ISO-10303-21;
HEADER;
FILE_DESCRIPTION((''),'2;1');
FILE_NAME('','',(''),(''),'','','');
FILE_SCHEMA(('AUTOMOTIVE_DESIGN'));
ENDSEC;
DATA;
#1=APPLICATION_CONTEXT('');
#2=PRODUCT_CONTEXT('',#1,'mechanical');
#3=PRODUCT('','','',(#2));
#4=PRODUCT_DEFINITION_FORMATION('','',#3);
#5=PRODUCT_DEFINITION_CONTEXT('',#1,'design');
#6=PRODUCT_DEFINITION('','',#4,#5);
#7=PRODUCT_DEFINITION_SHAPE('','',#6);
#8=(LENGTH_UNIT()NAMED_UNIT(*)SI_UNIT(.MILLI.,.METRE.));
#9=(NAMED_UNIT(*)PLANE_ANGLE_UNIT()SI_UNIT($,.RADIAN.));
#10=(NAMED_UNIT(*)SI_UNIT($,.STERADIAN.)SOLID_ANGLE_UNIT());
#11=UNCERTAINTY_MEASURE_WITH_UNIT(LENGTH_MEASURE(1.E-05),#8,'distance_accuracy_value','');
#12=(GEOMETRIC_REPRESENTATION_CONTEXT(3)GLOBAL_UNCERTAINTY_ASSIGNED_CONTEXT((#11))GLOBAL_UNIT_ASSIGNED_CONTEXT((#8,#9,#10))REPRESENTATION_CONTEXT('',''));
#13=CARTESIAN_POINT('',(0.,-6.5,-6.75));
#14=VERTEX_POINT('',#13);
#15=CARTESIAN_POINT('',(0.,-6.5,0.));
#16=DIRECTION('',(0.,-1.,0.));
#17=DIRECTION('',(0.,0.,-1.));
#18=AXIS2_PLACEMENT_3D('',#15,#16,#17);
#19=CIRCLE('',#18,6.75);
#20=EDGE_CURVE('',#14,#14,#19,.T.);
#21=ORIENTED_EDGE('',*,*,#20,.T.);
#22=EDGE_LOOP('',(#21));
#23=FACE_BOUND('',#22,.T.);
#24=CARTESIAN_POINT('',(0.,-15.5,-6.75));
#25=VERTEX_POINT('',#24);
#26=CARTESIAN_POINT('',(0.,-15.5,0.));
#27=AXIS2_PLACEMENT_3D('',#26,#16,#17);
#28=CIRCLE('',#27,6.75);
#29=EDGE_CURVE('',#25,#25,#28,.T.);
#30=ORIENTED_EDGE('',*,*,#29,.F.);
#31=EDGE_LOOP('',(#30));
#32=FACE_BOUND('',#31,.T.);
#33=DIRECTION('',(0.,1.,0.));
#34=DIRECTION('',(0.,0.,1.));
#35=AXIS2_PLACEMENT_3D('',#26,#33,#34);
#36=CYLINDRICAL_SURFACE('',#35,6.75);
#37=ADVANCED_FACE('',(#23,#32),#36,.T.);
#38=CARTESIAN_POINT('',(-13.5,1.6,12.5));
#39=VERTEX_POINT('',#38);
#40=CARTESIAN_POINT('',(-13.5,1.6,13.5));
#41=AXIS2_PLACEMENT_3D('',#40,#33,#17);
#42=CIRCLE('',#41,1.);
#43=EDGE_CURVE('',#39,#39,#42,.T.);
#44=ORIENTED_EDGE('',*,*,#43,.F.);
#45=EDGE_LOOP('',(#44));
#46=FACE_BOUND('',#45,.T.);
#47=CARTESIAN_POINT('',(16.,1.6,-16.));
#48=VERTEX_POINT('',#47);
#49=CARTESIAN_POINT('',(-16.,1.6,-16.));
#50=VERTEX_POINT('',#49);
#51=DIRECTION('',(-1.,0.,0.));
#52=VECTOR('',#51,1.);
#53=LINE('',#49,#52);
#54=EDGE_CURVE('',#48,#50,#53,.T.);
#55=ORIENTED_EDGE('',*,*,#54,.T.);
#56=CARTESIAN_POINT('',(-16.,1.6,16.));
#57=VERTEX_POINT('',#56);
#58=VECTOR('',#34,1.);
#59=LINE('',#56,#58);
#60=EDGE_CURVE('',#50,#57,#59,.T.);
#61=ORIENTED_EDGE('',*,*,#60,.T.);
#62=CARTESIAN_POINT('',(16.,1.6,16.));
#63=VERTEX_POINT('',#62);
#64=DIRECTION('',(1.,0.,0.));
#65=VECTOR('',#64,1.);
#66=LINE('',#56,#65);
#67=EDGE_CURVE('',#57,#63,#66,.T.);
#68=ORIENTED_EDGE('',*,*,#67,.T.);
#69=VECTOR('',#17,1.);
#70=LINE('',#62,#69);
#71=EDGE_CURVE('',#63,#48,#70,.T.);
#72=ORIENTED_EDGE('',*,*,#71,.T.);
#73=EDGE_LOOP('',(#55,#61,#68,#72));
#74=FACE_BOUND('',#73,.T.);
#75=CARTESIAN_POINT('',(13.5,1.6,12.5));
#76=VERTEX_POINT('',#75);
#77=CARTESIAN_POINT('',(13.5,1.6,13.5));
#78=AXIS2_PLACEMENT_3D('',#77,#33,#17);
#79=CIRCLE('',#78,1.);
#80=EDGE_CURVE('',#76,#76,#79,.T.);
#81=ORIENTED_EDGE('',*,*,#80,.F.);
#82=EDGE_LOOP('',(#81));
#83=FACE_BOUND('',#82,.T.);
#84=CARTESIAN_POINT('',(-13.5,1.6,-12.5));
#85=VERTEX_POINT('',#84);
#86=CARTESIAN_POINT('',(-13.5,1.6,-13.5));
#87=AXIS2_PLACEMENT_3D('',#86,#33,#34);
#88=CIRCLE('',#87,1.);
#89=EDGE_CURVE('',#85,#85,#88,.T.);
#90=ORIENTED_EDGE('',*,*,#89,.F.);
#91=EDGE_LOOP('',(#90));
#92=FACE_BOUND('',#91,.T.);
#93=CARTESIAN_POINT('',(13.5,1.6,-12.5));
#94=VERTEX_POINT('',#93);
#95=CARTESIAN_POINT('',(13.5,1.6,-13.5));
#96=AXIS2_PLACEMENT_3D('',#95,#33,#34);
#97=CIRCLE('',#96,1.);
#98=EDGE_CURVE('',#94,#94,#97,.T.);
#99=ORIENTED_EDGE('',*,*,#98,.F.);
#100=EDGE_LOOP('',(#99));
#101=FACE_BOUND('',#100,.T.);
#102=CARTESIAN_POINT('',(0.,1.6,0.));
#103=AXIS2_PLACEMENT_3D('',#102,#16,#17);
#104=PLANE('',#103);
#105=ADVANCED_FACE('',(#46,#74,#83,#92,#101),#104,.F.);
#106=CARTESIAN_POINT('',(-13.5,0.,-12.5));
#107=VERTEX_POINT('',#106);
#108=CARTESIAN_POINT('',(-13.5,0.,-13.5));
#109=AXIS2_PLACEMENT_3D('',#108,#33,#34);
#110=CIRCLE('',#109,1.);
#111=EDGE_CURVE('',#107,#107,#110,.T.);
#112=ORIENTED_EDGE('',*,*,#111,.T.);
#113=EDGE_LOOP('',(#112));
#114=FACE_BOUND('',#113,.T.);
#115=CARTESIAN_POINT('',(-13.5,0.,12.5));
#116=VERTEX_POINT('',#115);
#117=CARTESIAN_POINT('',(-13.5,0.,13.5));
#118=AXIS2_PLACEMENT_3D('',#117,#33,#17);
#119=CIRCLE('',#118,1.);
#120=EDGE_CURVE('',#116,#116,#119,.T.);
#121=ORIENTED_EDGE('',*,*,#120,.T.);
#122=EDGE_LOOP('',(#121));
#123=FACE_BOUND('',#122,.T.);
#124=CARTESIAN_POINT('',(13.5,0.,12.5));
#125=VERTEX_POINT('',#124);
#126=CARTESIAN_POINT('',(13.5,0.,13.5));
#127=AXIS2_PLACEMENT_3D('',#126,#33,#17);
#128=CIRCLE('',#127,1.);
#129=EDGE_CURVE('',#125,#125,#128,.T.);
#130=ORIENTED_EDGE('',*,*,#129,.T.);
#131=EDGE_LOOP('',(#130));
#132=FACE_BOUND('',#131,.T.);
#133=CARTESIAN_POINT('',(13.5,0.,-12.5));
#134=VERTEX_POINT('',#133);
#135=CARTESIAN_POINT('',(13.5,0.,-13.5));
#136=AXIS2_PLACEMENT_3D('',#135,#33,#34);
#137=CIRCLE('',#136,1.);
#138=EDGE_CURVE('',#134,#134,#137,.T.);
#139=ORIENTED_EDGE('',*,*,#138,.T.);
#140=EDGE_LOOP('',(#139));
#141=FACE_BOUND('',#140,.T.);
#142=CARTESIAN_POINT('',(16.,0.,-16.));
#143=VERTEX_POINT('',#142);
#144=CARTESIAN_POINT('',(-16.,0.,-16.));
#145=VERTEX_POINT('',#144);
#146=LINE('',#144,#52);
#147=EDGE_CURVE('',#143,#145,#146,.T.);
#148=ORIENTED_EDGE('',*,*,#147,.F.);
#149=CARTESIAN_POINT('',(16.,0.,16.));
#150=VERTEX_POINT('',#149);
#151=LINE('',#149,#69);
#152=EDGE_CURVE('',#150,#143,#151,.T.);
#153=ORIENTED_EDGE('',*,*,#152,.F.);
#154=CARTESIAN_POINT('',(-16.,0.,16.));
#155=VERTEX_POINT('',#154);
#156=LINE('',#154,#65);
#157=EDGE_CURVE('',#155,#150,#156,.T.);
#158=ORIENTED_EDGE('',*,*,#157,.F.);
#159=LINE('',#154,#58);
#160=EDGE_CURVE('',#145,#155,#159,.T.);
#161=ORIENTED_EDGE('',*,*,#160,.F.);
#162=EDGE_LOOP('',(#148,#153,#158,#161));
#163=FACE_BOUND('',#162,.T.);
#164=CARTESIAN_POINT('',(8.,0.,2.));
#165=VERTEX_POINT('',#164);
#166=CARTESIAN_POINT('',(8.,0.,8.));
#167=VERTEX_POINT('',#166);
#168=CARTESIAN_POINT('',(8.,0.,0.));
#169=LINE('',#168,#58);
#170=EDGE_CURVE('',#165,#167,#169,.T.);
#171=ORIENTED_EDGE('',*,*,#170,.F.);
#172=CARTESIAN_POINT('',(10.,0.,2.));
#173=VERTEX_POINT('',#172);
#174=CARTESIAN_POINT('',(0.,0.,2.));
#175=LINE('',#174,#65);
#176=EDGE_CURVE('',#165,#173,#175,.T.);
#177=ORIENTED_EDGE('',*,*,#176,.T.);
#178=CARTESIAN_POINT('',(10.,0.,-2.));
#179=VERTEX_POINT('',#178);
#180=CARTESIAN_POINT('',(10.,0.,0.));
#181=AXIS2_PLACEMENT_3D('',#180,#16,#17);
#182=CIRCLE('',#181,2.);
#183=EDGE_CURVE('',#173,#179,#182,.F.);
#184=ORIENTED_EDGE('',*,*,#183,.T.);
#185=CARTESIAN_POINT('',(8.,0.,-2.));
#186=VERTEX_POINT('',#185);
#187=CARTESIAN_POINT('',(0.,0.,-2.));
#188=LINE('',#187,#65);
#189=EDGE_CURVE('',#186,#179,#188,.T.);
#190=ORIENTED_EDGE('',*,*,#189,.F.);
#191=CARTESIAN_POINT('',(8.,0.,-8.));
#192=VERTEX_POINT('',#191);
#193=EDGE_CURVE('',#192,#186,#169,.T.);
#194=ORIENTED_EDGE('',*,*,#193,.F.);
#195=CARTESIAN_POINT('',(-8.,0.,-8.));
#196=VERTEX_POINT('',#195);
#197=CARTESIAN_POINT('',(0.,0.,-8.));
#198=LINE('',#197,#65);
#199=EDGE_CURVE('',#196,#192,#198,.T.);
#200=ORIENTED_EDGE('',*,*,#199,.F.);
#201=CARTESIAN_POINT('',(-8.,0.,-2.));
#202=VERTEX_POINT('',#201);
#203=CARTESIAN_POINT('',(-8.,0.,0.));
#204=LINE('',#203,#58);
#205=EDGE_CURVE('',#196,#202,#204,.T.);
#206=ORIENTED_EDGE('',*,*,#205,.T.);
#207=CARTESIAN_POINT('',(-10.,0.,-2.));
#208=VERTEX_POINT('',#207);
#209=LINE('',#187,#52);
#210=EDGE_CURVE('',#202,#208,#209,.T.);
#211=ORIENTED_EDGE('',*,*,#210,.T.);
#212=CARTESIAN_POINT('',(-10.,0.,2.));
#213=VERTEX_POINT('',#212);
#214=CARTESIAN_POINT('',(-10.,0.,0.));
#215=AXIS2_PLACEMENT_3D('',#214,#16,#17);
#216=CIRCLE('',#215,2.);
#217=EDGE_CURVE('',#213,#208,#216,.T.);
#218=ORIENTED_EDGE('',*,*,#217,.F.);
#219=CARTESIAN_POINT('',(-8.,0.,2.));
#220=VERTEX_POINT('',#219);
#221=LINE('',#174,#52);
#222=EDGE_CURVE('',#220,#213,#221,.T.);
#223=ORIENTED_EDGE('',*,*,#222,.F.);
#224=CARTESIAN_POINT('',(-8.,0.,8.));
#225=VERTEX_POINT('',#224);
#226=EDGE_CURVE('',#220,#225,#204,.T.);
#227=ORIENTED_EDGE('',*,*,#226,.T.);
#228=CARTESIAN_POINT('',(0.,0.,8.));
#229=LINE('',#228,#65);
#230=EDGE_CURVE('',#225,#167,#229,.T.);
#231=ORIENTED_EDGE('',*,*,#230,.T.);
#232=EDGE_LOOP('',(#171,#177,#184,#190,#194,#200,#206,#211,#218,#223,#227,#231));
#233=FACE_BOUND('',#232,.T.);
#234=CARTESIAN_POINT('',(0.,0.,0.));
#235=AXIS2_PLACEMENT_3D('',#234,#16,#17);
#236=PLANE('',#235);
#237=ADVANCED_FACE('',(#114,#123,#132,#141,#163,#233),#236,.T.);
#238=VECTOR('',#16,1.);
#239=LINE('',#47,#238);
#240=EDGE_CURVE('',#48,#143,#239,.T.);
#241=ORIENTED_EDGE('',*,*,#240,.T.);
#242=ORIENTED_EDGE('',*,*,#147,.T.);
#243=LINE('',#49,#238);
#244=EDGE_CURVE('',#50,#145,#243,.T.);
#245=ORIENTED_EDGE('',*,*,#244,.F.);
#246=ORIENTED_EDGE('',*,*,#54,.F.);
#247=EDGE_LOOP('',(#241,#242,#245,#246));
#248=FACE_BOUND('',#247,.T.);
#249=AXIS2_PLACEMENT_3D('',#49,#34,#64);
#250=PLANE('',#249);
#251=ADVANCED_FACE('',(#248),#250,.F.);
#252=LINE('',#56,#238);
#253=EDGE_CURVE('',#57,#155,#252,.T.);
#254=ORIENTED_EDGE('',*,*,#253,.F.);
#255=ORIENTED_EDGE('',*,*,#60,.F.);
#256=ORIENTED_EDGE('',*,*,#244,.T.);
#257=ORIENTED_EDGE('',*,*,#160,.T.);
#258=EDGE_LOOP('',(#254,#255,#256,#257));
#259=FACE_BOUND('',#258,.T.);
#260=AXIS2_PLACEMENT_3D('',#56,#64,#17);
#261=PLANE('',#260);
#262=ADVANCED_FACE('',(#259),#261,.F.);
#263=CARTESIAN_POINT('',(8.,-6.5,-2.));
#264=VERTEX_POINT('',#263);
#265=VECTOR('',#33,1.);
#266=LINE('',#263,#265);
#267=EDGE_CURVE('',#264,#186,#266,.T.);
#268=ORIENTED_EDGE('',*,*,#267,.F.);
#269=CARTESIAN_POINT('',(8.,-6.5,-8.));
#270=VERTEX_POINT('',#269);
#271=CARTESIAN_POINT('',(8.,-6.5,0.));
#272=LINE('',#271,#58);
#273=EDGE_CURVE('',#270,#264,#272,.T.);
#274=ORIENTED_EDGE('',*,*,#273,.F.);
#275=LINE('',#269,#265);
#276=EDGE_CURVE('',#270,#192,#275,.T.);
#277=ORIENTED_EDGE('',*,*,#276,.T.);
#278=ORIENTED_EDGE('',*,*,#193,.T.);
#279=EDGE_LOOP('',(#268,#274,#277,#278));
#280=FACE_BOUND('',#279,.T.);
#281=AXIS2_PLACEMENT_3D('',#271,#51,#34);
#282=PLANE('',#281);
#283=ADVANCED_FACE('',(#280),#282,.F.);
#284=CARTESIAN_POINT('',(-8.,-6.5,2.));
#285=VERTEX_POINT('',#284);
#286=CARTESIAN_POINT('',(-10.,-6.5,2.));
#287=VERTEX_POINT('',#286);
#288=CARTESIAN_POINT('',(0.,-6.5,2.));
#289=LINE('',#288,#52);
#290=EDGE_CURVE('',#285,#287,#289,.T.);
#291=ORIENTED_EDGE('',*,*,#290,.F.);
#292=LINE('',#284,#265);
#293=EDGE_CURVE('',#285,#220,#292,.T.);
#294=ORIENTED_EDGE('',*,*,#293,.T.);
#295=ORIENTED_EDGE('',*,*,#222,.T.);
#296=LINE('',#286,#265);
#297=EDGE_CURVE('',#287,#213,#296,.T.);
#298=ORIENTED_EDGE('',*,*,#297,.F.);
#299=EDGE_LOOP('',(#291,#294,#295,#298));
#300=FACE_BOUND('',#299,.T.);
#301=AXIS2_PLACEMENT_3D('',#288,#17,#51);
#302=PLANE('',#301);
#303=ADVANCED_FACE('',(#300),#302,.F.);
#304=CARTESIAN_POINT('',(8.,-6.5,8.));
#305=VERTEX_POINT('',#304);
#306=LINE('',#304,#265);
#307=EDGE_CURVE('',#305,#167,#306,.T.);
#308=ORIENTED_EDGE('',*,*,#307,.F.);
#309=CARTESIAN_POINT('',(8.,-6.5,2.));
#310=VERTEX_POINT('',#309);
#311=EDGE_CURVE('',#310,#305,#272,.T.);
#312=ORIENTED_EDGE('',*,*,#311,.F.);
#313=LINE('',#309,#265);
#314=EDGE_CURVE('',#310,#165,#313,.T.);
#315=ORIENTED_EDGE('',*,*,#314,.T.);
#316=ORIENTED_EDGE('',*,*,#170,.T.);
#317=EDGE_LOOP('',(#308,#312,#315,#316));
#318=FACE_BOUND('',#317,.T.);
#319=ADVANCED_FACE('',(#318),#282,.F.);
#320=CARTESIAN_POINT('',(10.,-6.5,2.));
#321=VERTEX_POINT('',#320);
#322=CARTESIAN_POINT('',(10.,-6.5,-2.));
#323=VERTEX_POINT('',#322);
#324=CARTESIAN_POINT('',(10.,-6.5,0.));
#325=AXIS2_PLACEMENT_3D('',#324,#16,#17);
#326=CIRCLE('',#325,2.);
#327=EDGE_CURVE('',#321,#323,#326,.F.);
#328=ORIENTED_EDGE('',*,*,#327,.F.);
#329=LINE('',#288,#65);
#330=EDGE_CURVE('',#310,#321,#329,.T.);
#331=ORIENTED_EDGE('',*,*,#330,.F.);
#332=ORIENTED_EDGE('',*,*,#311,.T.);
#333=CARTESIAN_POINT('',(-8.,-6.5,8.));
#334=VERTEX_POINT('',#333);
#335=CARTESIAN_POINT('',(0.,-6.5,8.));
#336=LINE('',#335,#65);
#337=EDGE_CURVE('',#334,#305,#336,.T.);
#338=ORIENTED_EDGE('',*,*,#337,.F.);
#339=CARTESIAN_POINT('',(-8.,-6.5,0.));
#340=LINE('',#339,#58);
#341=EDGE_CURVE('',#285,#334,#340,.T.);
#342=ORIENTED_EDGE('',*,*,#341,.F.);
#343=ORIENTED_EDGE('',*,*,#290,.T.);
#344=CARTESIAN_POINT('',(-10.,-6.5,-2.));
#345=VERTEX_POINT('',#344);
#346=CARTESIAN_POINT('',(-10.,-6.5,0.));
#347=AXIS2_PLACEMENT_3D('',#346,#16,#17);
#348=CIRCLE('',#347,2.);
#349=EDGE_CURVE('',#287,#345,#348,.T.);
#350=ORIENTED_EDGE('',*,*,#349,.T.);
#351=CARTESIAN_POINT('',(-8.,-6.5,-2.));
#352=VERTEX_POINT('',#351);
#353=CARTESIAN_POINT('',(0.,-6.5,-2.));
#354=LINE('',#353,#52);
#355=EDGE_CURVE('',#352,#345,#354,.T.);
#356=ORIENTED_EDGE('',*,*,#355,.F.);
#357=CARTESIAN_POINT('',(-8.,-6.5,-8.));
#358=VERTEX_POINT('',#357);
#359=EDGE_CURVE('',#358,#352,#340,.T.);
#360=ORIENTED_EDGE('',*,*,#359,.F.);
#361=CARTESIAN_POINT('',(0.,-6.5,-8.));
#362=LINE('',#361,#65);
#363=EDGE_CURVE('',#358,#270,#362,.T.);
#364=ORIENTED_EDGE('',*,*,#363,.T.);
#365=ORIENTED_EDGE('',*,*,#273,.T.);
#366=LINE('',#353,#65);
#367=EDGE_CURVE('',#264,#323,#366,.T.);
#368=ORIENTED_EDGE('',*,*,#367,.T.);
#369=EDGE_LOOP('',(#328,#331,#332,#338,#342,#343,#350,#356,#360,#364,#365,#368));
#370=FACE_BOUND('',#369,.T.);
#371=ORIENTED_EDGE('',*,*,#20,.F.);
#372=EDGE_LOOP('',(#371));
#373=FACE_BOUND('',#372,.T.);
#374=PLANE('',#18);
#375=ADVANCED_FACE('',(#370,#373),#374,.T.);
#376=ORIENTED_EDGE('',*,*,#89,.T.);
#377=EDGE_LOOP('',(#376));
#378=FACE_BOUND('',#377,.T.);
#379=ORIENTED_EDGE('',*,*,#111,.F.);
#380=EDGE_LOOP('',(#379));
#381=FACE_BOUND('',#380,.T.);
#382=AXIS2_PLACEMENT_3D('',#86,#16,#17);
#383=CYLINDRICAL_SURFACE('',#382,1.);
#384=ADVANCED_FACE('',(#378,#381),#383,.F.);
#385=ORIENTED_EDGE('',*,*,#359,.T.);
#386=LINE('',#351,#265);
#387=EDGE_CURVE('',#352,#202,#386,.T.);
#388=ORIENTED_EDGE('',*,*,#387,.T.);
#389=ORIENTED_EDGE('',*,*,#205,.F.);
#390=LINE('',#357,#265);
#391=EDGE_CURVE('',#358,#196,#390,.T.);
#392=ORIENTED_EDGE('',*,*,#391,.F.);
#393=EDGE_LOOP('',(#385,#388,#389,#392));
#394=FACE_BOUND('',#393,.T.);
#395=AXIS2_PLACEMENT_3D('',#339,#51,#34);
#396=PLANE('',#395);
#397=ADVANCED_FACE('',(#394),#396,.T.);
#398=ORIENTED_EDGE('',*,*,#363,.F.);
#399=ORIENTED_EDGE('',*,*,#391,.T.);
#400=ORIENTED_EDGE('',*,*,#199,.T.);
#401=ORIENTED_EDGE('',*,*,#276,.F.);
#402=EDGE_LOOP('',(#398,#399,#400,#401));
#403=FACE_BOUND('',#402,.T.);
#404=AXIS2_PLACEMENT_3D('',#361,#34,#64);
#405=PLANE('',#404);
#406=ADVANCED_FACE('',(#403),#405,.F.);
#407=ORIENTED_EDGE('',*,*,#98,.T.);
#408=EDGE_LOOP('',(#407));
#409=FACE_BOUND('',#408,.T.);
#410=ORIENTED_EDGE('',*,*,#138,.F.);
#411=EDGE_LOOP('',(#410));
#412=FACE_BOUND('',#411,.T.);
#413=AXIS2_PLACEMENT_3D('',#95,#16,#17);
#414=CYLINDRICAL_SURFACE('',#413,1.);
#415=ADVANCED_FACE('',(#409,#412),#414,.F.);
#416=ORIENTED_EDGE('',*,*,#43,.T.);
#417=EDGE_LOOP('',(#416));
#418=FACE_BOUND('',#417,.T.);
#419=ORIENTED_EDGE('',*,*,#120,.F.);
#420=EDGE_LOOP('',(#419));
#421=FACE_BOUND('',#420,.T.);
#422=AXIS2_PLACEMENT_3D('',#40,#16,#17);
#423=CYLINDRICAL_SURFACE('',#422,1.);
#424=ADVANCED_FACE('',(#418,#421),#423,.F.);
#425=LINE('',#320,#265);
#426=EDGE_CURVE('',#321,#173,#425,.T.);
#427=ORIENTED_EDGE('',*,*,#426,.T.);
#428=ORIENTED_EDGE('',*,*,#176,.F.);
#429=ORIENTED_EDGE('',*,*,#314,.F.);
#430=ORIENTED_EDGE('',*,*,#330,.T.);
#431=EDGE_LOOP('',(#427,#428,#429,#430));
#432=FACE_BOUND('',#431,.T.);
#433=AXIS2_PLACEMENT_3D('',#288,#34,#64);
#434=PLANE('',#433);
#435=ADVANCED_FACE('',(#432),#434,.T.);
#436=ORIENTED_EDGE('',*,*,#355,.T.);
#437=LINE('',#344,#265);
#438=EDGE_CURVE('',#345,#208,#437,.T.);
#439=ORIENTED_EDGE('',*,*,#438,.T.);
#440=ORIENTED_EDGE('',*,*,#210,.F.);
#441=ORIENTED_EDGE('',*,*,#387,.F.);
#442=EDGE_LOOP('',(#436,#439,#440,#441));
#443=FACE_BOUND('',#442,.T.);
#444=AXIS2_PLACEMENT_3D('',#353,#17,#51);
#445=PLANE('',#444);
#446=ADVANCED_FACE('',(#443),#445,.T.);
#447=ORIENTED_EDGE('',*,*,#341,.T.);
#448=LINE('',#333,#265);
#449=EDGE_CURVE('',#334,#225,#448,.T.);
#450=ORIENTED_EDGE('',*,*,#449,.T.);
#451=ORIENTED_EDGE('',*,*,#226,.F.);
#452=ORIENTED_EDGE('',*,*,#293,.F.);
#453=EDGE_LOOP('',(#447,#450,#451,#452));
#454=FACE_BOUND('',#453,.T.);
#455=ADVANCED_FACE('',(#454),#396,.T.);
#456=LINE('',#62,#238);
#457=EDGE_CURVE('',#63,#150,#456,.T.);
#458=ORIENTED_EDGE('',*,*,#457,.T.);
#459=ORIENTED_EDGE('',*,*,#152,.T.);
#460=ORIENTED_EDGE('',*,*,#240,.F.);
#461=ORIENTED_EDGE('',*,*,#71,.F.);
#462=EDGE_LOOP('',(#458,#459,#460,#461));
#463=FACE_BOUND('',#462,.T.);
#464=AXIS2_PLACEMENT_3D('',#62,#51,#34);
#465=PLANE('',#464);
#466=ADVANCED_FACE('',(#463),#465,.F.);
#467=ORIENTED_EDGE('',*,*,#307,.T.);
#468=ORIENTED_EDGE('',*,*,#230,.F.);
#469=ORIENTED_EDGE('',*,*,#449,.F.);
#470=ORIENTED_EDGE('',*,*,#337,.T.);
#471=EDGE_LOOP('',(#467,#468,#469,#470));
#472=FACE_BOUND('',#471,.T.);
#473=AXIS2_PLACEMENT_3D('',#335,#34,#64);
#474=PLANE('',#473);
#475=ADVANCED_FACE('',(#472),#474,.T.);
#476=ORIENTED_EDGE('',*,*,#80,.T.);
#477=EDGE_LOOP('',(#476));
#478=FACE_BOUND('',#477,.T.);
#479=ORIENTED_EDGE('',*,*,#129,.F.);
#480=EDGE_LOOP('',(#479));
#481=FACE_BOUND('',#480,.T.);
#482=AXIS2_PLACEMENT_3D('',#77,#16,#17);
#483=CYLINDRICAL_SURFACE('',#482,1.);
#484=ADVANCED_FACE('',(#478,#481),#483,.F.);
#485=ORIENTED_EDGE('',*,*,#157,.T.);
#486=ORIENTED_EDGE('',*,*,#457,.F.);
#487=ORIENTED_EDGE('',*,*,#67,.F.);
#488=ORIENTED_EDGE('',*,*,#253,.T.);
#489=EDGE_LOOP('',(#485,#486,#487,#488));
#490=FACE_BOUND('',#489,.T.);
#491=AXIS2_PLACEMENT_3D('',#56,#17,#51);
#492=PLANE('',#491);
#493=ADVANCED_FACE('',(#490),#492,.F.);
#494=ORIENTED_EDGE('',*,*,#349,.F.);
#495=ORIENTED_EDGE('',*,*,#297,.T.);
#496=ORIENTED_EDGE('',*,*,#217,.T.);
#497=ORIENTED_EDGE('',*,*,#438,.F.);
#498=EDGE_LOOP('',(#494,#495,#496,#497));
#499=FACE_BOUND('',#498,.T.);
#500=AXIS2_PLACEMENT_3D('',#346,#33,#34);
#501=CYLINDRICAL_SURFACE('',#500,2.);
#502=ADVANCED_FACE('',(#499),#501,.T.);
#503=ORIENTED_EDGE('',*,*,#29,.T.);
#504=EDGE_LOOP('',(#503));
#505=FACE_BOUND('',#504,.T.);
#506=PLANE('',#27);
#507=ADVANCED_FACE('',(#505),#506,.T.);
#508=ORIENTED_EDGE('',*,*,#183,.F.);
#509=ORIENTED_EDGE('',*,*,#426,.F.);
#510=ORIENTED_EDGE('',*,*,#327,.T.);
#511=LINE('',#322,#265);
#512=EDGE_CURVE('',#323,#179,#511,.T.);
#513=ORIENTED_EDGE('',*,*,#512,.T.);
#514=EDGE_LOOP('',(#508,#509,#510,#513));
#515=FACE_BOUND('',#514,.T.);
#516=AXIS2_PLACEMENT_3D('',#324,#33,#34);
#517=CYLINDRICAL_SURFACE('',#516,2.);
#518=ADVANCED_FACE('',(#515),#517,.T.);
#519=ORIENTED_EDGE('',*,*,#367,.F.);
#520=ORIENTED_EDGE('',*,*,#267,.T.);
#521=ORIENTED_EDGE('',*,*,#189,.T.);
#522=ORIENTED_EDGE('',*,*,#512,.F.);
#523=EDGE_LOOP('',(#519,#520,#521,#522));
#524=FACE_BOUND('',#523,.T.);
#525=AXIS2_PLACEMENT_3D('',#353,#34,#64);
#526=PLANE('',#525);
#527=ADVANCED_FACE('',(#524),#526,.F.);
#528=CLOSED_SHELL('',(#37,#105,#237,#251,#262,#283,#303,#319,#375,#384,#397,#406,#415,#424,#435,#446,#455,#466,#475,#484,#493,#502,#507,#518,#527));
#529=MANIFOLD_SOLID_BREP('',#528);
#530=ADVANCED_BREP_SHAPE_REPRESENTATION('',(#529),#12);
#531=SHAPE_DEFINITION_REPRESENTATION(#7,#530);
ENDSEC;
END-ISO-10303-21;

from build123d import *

# Parameters (mm, degrees)
SKETCH_1_W      = 32
SKETCH_1_H      = 32
SKETCH_1_R      = 1
EXTRUDE_1_DEPTH = 1.6
SKETCH_2_W      = 16
SKETCH_2_H      = 16
EXTRUDE_2_DEPTH = 6.5
SKETCH_3_R      = 6.75
EXTRUDE_3_DEPTH = 9


with BuildPart() as part:
    # 草图1 → 凸台-拉伸1 (new body)
    with BuildSketch(Plane(origin=(0, 0, 0), x_dir=(1, 0, 0), z_dir=(0, 1, 0))):
        Rectangle(SKETCH_1_W, SKETCH_1_H)
        with Locations(Location((13.5, 13.5, 0), (0, 0, 270))):
            Circle(SKETCH_1_R, mode=Mode.SUBTRACT)
        with Locations(Location((-13.5, -13.5, 0), (0, 0, 90))):
            Circle(SKETCH_1_R, mode=Mode.SUBTRACT)
        with Locations(Location((-13.5, 13.5, 0), (0, 0, 270))):
            Circle(SKETCH_1_R, mode=Mode.SUBTRACT)
        with Locations(Location((13.5, -13.5, 0), (0, 0, 90))):
            Circle(SKETCH_1_R, mode=Mode.SUBTRACT)
    extrude(amount=EXTRUDE_1_DEPTH)

    # 草图2 → 凸台-拉伸2 (add)
    with BuildSketch(Plane.XZ):
        Rectangle(SKETCH_2_W, SKETCH_2_H)
        with BuildLine():
            Line((-10, -2), (-8, -2))
            Line((-8, -2), (-8, 2))
            Line((-8, 2), (-10, 2))
            ThreePointArc((-10, 2), (-12, 0), (-10, -2))
        make_face()
        with BuildLine():
            Line((8, 2), (8, -2))
            Line((8, -2), (10, -2))
            ThreePointArc((10, -2), (12, 0), (10, 2))
            Line((10, 2), (8, 2))
        make_face()
    extrude(amount=EXTRUDE_2_DEPTH)

    # 草图3 → 凸台-拉伸3 (add)
    with BuildSketch(Plane.XZ.offset(6.5)):
        with Locations(Location((0, 0, 0), (0, 0, 270))):
            Circle(SKETCH_3_R)
    extrude(amount=EXTRUDE_3_DEPTH)


solid = part.part
